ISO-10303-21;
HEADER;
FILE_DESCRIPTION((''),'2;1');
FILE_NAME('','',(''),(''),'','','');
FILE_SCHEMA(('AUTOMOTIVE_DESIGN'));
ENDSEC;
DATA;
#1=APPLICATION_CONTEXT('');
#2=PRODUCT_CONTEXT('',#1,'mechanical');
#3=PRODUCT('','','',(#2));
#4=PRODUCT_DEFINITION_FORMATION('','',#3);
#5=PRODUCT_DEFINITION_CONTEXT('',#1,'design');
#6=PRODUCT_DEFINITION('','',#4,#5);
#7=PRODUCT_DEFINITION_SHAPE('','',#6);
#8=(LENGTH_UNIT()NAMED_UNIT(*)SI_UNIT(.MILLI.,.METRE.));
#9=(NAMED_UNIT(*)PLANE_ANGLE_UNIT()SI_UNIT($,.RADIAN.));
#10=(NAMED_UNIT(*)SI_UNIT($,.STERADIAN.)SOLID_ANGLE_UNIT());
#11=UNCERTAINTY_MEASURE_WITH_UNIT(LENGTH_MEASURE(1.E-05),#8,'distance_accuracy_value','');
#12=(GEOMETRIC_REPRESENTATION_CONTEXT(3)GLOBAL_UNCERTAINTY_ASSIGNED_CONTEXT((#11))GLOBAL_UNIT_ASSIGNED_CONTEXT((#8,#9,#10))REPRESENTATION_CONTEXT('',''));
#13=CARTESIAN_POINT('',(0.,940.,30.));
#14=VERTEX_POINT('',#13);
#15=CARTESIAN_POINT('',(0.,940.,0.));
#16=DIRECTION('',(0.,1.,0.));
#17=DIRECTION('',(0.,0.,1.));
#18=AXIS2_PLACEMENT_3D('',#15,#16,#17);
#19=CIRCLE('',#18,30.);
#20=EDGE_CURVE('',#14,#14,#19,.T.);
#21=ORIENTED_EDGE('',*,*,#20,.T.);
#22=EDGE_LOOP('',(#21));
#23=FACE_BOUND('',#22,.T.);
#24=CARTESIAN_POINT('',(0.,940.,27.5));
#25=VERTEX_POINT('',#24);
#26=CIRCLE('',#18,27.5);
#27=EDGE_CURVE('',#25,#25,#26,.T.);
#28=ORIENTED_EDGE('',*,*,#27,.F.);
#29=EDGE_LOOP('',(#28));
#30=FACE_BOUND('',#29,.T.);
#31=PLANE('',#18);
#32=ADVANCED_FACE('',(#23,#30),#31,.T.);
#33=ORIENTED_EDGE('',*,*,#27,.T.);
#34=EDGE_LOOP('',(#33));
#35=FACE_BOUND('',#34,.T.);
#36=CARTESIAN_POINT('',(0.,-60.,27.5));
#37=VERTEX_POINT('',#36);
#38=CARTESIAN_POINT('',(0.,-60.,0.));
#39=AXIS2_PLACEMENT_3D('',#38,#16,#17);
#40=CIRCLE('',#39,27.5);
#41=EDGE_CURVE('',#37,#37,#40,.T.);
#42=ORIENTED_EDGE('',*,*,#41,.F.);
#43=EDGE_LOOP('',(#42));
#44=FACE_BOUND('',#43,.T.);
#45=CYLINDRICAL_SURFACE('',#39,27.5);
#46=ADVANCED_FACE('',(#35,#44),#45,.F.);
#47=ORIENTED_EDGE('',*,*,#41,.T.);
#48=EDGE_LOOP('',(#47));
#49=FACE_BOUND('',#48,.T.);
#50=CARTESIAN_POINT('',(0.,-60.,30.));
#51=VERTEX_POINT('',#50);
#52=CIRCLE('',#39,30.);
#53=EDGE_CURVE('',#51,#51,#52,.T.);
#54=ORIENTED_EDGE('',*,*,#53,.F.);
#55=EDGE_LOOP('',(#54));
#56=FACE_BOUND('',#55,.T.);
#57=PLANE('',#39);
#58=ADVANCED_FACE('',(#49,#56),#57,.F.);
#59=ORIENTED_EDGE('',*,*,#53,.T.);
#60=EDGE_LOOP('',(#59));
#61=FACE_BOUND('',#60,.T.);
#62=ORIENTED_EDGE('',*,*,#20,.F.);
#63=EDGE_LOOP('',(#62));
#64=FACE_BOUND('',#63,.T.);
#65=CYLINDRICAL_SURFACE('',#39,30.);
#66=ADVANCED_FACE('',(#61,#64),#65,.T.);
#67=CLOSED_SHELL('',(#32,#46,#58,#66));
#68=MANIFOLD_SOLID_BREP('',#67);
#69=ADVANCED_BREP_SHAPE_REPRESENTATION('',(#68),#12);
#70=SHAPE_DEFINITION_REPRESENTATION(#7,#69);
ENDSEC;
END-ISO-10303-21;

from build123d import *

# Parameters (mm, degrees)
ESBO_O1_R                     = 30
ESBO_O1_R_2                   = 27.5
RESSALTO_EXTRUS_O1_DEPTH      = 940
RESSALTO_EXTRUS_O1_DEPTH_BACK = 60


with BuildPart() as part:
    # Esboço1 → Ressalto-extrusão1 (new body, two sides)
    with BuildSketch(Plane(origin=(0, 0, 0), x_dir=(1, 0, 0), z_dir=(0, 1, 0))) as ressalto_extrus_o1_sk:
        Circle(ESBO_O1_R)
        Circle(ESBO_O1_R_2, mode=Mode.SUBTRACT)
    extrude(amount=RESSALTO_EXTRUS_O1_DEPTH)
    extrude(ressalto_extrus_o1_sk.sketch, amount=-RESSALTO_EXTRUS_O1_DEPTH_BACK)


solid = part.part
